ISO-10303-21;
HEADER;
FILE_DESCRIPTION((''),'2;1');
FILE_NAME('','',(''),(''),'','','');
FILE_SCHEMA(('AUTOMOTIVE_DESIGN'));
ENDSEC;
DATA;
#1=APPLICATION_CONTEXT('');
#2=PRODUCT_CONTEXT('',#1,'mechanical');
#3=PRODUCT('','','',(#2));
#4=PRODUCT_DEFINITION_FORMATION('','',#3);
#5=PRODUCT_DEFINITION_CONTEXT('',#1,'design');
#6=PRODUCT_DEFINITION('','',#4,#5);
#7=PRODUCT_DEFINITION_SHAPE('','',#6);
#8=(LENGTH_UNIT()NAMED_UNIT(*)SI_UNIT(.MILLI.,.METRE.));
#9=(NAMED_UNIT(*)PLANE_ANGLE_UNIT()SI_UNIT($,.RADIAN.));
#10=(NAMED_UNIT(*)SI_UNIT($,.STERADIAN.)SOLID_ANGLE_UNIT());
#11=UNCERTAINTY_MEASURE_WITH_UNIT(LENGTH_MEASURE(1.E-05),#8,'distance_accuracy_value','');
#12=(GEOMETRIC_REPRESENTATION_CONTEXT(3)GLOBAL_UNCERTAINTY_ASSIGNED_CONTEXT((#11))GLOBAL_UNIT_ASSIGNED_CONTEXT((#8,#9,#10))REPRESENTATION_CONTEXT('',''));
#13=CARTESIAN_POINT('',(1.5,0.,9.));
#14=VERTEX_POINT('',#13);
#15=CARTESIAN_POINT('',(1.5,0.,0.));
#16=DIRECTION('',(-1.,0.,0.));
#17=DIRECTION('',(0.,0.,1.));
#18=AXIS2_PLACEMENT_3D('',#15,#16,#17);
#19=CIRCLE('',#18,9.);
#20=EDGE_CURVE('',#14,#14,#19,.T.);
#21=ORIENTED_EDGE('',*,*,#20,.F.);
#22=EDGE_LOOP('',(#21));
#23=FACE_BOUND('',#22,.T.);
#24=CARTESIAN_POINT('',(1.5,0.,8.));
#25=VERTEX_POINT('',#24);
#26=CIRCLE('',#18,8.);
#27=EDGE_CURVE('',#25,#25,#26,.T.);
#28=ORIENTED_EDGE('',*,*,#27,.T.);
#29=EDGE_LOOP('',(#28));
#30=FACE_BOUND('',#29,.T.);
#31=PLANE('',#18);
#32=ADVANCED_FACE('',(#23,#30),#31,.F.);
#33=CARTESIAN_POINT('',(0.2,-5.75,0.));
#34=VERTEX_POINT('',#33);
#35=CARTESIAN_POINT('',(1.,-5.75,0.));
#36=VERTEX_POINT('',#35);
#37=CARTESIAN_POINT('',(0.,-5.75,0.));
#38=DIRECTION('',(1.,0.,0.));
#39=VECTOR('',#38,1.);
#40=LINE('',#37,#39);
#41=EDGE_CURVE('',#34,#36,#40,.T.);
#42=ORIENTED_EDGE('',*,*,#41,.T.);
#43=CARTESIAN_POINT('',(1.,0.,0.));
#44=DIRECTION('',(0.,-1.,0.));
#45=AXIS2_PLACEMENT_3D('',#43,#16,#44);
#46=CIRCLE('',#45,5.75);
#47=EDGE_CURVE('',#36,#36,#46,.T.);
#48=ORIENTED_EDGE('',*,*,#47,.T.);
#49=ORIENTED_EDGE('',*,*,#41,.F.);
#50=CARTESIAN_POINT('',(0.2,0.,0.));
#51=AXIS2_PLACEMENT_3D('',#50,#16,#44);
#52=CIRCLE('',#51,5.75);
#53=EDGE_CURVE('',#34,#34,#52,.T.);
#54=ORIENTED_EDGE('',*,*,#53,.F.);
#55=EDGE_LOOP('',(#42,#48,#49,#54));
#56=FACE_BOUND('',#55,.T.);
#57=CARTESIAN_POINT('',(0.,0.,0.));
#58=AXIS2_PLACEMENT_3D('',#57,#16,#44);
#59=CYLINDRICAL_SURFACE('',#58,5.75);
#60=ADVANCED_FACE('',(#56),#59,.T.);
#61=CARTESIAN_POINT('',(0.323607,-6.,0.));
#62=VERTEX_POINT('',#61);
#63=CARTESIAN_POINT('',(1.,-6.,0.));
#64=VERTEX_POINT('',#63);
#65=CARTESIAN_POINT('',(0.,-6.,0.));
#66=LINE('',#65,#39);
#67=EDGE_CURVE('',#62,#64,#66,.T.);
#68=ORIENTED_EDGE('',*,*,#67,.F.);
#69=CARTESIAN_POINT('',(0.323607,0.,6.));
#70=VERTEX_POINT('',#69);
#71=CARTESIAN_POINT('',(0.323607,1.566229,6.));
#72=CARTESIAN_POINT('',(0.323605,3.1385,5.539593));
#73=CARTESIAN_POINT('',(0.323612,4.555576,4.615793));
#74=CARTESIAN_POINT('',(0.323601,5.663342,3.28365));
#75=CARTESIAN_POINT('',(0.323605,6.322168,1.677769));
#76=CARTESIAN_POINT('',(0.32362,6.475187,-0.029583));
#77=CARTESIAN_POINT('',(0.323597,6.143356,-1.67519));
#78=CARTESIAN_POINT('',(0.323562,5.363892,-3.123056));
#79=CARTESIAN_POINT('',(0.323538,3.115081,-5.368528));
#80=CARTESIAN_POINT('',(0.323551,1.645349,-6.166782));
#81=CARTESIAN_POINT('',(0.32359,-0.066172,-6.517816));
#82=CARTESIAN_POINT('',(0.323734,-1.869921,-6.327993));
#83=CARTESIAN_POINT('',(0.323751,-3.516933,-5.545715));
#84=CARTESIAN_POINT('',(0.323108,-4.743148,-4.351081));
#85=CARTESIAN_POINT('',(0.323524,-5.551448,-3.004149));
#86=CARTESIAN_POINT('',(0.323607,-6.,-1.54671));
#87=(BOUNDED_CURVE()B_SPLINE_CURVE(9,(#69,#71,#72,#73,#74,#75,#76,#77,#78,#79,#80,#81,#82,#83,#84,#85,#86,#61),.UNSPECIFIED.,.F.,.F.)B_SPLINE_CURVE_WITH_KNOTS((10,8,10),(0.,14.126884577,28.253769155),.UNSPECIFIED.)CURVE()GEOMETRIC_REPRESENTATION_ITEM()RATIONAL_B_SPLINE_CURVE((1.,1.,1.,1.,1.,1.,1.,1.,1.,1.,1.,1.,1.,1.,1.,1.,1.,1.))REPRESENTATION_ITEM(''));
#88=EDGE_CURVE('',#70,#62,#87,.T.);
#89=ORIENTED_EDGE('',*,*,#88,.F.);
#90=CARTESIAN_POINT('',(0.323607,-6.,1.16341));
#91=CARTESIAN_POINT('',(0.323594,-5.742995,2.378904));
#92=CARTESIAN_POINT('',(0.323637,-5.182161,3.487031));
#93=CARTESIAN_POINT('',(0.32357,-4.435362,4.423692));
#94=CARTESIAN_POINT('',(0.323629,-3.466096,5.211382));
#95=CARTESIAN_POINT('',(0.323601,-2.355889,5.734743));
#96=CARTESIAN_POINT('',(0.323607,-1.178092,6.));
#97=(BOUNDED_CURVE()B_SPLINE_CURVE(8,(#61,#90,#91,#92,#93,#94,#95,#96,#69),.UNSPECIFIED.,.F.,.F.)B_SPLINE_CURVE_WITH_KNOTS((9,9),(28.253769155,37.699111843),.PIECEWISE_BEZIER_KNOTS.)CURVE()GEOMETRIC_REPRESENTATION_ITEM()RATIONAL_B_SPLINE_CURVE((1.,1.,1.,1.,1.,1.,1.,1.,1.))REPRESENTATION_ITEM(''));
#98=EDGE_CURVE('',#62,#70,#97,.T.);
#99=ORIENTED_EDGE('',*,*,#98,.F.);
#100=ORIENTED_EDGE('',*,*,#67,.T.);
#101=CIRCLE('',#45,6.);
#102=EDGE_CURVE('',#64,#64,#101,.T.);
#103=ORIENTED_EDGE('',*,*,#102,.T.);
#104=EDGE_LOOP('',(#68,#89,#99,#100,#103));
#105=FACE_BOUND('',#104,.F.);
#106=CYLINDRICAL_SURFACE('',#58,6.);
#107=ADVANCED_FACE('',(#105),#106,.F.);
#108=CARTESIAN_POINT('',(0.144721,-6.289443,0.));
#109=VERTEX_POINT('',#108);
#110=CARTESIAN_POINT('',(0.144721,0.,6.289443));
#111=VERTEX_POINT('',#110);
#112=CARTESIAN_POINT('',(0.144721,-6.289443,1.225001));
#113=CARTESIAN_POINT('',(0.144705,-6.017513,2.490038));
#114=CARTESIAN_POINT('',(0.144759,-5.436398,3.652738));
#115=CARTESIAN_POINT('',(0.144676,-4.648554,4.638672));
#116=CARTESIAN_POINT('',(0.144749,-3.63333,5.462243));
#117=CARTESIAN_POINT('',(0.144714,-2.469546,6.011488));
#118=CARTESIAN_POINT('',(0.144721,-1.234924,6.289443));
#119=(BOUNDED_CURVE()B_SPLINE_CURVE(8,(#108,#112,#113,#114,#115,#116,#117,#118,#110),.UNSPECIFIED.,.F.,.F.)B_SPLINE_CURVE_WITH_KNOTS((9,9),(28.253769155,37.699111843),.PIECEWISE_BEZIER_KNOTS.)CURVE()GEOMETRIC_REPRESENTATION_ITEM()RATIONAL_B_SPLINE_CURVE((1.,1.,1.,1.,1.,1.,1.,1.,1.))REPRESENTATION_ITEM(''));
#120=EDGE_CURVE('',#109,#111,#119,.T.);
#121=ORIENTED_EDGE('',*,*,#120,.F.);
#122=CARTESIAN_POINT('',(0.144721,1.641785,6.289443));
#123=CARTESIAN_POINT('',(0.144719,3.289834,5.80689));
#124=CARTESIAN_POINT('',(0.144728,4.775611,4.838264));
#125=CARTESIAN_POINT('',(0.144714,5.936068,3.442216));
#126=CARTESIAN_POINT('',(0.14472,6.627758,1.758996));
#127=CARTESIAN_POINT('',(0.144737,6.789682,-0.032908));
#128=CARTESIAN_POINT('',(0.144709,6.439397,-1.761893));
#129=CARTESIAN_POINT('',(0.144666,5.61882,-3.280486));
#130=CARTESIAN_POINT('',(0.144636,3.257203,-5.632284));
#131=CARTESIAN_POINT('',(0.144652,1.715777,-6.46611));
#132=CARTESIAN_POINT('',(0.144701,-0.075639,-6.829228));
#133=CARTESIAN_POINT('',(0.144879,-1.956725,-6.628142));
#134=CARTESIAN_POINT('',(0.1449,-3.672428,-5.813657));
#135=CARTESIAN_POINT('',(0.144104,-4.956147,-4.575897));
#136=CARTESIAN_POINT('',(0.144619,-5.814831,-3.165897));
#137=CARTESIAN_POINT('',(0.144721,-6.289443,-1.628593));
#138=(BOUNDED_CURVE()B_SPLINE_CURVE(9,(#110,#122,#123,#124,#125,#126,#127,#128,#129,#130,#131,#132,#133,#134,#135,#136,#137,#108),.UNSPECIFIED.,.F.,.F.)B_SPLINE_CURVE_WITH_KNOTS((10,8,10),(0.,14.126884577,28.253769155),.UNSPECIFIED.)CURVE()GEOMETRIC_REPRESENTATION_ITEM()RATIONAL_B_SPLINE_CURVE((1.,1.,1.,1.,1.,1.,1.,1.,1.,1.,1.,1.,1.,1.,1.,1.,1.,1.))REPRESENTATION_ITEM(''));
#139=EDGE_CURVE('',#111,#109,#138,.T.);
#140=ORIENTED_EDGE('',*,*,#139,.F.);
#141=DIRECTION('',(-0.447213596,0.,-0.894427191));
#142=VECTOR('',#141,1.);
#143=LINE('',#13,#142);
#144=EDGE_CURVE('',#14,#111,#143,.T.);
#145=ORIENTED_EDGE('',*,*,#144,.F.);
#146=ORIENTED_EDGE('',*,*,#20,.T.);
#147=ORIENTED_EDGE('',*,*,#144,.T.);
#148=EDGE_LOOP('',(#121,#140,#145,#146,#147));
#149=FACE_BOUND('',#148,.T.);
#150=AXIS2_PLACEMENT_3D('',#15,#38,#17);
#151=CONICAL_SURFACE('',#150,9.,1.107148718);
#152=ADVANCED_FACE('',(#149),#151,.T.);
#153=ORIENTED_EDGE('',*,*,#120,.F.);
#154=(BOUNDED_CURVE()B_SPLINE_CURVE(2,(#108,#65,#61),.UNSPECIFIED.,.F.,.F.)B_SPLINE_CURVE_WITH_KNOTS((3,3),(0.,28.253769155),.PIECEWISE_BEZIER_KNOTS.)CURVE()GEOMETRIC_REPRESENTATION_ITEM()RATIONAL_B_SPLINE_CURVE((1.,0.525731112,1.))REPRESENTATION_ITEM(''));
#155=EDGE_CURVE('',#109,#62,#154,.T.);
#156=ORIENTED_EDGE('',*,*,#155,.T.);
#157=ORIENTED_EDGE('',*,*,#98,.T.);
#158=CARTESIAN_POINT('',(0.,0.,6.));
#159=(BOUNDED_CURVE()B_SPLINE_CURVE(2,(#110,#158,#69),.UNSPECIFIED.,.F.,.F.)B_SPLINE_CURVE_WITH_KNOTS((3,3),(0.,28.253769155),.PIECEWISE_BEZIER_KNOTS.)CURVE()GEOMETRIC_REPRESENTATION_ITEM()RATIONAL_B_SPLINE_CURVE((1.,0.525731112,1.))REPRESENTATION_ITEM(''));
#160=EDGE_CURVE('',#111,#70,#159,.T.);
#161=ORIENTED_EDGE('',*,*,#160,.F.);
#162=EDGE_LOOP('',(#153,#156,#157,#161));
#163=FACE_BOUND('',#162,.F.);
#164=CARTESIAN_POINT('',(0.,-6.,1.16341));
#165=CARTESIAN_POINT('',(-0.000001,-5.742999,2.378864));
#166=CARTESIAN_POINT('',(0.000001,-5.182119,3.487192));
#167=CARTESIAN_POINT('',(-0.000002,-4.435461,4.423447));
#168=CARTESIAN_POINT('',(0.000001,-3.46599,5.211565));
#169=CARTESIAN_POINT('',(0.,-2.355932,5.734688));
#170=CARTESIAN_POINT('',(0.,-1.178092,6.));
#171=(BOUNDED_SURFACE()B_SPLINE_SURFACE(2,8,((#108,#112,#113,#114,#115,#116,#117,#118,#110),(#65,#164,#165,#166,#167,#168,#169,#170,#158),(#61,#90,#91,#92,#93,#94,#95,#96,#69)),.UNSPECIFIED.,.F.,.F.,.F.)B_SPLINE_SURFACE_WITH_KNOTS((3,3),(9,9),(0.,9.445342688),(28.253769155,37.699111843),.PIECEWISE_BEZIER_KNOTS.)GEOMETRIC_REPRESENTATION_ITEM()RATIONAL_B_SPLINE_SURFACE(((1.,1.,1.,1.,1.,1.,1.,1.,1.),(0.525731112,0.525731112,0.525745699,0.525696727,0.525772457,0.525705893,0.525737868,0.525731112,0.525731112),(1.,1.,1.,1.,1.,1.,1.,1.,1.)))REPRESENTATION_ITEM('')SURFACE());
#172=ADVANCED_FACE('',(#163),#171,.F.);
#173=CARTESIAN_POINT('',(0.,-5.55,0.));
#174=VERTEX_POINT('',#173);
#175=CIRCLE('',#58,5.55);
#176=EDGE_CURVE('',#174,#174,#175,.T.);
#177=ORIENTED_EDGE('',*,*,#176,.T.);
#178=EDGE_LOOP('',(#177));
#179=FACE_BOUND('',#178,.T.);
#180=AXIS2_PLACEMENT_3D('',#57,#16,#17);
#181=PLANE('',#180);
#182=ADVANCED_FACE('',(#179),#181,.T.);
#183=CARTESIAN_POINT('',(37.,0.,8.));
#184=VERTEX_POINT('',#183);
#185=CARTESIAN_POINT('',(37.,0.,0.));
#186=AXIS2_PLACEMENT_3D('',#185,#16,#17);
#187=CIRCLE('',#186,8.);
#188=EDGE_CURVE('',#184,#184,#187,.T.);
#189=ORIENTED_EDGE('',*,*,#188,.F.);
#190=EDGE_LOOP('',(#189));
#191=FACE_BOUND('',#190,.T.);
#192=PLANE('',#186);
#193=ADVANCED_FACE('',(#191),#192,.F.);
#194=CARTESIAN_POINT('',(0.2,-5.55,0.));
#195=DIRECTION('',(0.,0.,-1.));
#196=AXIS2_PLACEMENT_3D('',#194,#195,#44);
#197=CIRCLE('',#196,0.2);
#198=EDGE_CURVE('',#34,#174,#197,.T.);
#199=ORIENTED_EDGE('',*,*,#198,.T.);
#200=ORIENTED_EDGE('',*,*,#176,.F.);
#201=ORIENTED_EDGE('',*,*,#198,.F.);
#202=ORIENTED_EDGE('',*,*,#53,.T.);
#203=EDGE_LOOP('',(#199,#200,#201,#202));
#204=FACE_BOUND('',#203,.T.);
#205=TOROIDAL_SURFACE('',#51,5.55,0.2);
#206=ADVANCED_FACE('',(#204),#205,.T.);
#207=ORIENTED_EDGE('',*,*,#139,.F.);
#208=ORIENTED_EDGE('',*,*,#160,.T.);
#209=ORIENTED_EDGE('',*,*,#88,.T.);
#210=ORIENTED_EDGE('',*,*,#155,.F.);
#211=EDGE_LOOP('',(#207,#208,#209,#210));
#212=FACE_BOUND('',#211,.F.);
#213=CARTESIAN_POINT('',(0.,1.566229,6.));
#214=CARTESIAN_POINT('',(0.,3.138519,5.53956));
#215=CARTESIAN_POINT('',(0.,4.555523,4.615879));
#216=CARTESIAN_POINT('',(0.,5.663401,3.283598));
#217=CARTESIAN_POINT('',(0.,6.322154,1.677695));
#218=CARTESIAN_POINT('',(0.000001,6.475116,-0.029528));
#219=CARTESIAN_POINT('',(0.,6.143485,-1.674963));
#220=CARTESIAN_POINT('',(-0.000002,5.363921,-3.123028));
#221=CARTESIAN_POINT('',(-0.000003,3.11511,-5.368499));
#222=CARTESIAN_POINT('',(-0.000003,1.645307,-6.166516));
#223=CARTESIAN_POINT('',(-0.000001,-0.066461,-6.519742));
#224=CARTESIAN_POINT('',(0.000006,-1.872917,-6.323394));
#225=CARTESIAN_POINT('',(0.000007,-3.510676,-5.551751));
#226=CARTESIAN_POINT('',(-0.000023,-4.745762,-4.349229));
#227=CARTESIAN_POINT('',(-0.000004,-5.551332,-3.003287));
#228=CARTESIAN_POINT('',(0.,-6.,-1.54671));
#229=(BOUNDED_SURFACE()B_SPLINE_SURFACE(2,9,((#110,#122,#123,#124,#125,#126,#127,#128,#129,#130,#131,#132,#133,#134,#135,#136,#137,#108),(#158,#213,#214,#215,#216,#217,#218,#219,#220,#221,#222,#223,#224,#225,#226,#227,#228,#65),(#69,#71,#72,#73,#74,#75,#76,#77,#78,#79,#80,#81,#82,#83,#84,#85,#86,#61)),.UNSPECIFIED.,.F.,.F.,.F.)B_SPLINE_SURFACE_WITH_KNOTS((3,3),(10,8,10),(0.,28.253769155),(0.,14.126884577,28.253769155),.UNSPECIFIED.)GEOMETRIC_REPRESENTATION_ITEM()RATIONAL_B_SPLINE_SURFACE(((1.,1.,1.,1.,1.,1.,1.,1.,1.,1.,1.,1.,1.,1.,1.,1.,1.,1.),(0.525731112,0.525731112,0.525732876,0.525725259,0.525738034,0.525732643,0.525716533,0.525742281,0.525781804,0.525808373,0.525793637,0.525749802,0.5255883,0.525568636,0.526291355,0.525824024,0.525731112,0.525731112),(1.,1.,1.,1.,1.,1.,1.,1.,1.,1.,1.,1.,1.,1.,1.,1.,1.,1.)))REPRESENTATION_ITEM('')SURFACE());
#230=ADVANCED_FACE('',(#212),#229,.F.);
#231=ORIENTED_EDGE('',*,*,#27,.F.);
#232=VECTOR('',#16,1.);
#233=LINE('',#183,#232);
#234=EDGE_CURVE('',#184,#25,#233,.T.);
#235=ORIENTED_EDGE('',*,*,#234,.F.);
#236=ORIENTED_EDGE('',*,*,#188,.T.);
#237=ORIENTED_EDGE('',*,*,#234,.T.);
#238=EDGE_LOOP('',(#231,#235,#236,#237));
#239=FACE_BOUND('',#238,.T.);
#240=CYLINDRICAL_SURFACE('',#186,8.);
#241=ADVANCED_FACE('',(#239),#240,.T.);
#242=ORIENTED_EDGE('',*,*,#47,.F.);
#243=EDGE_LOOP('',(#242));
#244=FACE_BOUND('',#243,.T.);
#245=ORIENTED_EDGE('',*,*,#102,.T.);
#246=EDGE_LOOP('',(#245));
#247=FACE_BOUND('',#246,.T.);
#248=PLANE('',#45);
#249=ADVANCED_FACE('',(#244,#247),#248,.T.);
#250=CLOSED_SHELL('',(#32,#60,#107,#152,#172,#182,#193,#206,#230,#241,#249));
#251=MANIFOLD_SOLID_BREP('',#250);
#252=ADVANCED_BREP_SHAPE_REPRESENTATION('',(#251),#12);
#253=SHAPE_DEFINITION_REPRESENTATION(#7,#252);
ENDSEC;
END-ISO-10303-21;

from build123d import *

# Parameters (mm, degrees)
F2_R     = 6
F2_R_2   = 5.75
F3_DEPTH = 1
F4_R     = 0.2


with BuildPart() as f1:
    # F0 (on Front) → F1 (revolve)
    with BuildSketch(Plane.XZ):
        Polygon((0, 6), (0, 0), (37, 0), (37, 8), (1.5, 8), (1.5, 9), align=None)
    revolve(axis=Axis((18.5, 0, 0), (-1, 0, 0)))

    # F2 (on face) → F3 (cut)
    with BuildSketch(Plane(origin=(0, 0, 0), x_dir=(0, -1, 0), z_dir=(-1, 0, 0))):
        Circle(F2_R)
        Circle(F2_R_2, mode=Mode.SUBTRACT)
    extrude(amount=-F3_DEPTH, mode=Mode.SUBTRACT)

    # F4
    f4_edges = [f1.edges().sort_by_distance(p)[0] for p in [
        (0, 4.242641, -4.242641),
        (0, -4.242641, 4.242641),
        (0, 5.75, 0),
    ]]
    fillet(f4_edges, radius=F4_R)


solid = f1.part
